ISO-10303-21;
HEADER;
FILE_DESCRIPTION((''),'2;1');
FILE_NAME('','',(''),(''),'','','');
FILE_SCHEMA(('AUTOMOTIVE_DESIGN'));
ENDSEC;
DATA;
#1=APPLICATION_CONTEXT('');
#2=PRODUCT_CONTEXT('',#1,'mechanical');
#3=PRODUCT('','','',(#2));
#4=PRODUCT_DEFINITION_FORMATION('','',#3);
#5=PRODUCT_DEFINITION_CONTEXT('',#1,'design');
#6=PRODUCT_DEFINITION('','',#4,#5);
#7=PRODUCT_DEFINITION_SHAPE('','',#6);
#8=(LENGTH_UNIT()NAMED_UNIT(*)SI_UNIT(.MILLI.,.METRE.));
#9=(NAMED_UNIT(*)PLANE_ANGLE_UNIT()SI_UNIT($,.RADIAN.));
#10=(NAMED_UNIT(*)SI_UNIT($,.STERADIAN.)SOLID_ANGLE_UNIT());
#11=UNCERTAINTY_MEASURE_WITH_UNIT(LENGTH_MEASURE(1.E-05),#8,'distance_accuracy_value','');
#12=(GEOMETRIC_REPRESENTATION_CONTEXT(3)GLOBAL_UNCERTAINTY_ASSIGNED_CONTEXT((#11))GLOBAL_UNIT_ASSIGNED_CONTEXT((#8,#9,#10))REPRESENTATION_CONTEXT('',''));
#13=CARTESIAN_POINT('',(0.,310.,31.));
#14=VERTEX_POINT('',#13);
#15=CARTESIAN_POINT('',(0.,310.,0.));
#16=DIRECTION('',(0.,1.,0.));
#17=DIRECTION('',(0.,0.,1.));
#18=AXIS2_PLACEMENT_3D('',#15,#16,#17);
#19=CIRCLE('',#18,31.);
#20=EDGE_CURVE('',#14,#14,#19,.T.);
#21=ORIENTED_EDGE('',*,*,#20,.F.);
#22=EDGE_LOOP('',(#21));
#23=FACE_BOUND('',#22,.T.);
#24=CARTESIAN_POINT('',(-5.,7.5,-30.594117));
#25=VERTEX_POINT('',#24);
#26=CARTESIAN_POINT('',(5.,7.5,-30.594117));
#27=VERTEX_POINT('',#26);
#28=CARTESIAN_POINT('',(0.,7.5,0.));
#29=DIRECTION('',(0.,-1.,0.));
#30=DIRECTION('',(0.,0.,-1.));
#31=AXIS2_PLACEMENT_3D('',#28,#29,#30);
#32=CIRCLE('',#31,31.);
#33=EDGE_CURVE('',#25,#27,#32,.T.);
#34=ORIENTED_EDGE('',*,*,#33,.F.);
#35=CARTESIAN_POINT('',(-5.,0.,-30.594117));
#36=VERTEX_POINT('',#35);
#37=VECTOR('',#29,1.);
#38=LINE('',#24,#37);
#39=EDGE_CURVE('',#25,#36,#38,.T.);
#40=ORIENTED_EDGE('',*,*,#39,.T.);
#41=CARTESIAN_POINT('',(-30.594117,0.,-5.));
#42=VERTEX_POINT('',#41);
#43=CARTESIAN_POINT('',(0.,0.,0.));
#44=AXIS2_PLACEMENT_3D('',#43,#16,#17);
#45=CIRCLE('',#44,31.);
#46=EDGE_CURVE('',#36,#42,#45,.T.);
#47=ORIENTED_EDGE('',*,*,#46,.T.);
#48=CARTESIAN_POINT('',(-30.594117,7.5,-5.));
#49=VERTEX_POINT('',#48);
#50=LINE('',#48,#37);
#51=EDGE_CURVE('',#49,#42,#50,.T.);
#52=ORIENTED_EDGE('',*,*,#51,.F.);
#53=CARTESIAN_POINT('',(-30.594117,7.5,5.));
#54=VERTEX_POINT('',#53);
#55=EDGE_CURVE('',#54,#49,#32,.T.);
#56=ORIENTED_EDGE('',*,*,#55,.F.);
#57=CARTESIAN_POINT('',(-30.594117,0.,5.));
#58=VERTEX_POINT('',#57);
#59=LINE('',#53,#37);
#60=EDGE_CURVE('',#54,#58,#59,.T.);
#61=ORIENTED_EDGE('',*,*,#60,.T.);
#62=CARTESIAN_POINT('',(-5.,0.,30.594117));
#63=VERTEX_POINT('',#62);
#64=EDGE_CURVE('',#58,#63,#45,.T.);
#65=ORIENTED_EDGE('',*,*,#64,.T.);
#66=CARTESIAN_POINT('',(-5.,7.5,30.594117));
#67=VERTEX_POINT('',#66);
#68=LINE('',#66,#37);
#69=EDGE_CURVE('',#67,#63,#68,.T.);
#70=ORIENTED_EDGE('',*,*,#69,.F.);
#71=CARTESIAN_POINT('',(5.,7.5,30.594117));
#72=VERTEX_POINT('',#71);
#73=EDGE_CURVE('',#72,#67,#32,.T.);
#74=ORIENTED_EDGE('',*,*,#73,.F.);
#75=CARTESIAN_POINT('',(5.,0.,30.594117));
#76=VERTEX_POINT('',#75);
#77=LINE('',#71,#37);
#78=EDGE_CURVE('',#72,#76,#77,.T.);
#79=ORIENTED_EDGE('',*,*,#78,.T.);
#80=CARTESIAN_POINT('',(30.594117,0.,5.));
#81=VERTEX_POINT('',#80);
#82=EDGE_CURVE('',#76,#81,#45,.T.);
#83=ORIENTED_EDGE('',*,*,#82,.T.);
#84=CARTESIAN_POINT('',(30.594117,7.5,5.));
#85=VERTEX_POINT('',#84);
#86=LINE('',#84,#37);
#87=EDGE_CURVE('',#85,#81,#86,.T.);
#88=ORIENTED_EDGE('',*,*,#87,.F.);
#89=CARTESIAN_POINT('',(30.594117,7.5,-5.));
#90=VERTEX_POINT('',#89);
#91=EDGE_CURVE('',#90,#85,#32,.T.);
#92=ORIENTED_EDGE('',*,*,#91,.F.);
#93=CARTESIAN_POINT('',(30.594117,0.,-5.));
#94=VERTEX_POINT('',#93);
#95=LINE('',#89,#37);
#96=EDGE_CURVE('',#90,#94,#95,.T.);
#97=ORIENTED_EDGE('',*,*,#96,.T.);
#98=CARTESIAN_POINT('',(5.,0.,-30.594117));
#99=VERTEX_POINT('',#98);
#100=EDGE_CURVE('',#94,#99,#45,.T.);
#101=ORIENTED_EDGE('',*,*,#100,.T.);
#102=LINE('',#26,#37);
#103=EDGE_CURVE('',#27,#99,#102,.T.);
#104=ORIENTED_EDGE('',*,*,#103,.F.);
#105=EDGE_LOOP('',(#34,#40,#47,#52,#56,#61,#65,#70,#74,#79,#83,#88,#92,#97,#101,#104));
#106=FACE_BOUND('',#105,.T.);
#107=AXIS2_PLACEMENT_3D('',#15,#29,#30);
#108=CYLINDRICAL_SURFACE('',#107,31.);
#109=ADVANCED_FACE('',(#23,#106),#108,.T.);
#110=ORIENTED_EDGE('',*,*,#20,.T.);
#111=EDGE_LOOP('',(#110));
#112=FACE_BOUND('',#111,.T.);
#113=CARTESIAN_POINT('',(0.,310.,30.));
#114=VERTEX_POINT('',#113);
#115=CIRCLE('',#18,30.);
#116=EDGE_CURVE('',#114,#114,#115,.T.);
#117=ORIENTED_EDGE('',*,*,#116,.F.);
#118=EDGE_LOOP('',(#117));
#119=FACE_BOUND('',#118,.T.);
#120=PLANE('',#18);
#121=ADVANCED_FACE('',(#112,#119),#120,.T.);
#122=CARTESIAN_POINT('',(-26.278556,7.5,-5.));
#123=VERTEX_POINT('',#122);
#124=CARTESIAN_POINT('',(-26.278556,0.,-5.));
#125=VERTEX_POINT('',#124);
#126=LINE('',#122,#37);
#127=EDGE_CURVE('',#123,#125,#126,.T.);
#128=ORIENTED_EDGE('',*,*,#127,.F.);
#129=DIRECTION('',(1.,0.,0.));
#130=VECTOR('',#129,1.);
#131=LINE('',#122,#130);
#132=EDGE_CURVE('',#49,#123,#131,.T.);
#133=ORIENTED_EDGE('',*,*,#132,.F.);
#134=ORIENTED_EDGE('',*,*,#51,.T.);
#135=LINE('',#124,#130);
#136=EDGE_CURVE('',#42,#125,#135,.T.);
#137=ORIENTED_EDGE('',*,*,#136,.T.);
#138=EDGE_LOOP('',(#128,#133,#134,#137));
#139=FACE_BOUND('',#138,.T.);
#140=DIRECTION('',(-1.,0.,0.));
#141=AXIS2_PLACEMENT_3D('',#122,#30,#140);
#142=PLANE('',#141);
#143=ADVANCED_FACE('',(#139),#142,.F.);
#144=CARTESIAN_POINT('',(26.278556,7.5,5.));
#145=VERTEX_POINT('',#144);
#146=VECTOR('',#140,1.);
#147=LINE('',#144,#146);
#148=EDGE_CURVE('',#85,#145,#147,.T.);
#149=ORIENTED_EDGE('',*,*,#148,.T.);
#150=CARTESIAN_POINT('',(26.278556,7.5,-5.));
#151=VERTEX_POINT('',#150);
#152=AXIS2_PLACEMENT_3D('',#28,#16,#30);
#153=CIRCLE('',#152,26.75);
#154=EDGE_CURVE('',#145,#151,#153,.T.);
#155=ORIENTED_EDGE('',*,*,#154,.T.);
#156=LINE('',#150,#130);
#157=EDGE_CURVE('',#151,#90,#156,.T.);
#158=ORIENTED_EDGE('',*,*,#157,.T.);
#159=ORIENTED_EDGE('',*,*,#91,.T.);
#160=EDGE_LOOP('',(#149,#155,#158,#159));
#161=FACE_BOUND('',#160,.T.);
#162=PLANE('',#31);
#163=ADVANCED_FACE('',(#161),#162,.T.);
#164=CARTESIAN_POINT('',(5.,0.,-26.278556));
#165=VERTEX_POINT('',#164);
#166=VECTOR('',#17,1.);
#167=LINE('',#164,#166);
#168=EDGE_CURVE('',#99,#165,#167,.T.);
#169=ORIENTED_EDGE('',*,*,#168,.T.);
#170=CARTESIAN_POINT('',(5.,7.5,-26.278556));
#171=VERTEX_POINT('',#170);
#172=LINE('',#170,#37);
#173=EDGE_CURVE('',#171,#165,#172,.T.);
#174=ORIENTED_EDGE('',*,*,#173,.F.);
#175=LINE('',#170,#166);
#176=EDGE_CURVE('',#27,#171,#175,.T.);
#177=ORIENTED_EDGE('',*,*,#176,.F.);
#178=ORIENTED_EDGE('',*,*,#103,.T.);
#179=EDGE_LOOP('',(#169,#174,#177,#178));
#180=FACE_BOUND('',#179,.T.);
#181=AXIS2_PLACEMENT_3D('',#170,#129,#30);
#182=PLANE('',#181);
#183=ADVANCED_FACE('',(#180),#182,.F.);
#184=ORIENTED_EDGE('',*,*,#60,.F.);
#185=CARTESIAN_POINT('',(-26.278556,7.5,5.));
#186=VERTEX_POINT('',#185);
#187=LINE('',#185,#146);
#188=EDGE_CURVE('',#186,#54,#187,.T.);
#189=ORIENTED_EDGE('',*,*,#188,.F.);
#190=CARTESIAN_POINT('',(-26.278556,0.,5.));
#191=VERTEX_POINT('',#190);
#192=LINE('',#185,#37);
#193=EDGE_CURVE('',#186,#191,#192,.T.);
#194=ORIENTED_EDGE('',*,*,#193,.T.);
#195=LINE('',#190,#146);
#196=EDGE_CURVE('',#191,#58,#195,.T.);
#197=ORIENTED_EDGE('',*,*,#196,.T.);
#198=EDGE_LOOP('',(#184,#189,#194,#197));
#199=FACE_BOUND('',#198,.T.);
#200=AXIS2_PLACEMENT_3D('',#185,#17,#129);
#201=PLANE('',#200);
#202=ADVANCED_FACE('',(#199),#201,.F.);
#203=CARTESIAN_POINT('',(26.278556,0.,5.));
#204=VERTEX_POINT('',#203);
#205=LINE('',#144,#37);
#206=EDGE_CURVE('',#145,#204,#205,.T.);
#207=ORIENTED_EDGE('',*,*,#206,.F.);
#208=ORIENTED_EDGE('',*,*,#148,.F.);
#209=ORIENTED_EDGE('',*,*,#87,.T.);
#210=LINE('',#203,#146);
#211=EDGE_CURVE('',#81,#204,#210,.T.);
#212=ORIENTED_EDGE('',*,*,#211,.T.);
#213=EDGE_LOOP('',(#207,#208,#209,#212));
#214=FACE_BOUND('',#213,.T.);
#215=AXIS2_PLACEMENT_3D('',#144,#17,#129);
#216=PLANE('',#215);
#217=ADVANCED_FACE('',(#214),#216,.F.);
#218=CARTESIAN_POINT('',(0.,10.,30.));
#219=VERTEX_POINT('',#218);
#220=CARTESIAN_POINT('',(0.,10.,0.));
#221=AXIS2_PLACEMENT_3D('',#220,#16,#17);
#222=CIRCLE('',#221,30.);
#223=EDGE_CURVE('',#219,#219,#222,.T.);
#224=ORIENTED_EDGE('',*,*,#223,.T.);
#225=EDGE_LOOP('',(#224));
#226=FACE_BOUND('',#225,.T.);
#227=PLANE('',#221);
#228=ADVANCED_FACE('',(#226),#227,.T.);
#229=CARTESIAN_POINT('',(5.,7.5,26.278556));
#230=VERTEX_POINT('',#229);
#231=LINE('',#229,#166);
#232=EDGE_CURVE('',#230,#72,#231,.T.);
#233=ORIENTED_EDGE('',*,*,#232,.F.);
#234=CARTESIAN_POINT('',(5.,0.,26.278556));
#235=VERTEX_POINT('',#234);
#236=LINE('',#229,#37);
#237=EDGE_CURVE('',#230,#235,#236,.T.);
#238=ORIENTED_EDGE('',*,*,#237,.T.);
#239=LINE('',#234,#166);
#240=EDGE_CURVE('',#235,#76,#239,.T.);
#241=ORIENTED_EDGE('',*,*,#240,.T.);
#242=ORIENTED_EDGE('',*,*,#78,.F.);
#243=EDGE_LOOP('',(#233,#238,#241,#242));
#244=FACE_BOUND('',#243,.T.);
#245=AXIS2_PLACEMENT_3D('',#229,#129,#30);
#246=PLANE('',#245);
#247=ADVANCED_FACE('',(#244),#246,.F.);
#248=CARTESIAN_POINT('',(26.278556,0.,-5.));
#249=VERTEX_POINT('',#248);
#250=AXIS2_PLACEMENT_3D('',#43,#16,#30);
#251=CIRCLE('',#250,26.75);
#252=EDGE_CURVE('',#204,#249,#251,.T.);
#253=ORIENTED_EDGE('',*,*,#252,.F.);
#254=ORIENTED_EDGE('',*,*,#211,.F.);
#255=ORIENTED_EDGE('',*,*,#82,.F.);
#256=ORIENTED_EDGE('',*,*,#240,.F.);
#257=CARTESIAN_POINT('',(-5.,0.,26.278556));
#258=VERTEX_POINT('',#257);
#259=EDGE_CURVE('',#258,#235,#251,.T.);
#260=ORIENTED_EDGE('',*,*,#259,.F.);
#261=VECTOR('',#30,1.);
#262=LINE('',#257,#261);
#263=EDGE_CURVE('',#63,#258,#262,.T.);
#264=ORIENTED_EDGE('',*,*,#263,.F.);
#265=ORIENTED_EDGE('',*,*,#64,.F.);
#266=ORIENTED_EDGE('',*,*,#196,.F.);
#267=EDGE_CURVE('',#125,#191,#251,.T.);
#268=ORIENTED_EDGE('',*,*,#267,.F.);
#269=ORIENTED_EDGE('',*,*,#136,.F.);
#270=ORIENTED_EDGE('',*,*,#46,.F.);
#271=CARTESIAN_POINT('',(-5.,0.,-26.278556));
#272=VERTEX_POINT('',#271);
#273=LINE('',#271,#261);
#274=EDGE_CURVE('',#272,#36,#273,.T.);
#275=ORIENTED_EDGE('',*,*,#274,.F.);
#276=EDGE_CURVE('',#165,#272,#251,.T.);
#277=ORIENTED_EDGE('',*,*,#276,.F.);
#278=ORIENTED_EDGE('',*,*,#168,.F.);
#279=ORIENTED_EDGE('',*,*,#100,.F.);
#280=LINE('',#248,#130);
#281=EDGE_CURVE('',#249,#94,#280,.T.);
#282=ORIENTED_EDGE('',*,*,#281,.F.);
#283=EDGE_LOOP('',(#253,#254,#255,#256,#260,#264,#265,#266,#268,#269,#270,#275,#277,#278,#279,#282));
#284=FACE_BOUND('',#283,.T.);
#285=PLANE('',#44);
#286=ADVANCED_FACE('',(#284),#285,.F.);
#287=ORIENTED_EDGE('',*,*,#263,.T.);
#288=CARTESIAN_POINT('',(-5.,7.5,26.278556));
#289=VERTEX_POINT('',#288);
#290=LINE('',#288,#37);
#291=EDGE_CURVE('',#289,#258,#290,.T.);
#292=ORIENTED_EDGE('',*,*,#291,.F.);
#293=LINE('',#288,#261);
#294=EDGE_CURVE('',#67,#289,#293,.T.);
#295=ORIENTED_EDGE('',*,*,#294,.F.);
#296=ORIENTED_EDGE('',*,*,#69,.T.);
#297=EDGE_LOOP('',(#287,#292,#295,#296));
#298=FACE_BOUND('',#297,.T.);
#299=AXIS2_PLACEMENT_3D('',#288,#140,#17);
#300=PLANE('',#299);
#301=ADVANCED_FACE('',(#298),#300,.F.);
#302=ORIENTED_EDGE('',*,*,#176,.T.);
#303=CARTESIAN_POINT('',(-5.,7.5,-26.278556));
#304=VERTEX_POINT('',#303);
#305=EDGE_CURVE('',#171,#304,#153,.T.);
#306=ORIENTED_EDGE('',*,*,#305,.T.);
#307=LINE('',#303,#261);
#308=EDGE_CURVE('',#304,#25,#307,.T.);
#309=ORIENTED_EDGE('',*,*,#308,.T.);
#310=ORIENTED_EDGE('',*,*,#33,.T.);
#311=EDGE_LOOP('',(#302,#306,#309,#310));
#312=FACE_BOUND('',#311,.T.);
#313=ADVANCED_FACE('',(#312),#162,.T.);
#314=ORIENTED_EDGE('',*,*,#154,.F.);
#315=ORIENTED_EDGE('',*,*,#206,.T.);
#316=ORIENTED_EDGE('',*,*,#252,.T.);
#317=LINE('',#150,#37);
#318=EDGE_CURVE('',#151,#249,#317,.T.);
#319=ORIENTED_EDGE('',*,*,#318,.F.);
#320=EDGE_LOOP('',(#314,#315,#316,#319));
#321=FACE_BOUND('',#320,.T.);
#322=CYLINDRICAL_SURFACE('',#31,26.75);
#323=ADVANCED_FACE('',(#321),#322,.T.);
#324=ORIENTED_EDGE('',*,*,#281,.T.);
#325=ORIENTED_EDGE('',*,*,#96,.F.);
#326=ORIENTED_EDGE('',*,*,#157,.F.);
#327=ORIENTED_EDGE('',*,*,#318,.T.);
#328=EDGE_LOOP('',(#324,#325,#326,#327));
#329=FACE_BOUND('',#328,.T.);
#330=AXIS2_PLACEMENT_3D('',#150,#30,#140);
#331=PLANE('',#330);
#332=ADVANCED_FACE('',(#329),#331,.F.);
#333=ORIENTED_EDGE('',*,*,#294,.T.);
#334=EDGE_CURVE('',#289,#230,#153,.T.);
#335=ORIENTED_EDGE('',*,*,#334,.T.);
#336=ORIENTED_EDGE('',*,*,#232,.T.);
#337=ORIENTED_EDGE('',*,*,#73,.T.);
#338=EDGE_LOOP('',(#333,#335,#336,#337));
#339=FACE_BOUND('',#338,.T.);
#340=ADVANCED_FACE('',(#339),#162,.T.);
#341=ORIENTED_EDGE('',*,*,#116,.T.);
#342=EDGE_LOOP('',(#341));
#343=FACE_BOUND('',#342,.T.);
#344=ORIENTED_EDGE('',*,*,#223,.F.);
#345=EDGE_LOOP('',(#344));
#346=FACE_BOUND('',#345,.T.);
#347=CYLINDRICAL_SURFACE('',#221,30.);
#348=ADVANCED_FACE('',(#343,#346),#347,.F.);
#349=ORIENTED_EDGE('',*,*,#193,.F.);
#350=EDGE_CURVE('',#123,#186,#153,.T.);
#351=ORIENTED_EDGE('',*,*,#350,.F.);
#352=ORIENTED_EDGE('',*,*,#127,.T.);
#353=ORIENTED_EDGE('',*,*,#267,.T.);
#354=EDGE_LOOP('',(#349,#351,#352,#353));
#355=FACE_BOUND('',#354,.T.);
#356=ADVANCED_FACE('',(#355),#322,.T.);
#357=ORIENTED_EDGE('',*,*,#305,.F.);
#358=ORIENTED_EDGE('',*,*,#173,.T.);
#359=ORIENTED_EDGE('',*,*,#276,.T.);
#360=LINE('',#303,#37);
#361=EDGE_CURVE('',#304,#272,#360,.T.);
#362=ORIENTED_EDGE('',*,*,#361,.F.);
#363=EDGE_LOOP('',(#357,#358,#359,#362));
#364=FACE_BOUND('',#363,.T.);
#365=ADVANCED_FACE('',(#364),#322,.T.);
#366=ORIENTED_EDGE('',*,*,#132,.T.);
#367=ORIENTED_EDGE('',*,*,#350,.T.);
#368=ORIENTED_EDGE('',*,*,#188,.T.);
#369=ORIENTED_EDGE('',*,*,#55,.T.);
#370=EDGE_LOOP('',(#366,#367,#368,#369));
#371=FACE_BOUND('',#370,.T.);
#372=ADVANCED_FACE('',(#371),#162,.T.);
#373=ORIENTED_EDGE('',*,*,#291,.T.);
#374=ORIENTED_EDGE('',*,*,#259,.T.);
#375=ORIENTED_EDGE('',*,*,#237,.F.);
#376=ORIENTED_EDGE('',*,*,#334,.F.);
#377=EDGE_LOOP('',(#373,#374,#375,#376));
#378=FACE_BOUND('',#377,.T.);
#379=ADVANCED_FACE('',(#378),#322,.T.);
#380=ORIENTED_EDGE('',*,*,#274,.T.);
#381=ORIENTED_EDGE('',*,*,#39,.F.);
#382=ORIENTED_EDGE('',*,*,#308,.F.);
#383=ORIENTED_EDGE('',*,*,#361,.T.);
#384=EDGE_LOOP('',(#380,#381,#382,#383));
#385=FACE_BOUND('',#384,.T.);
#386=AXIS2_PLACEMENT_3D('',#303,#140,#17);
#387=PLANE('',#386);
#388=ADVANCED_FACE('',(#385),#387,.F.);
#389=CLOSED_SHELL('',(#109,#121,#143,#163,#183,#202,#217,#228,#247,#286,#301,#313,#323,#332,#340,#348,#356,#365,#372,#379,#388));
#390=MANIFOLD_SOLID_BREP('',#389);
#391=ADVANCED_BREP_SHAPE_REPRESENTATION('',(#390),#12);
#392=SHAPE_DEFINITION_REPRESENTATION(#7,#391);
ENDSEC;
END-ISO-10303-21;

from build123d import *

# Parameters (mm, degrees)
SKETCH1_R           = 31
BOSS_EXTRUDE1_DEPTH = 310
SKETCH2_R           = 30
CUT_EXTRUDE1_DEPTH  = 300
CUT_EXTRUDE2_DEPTH  = 7.5


with BuildPart() as part:
    # Sketch1 → Boss-Extrude1 (new body)
    with BuildSketch(Plane(origin=(0, 0, 0), x_dir=(1, 0, 0), z_dir=(0, 1, 0))):
        with Locations(Location((0, 0, 0), (0, 0, 270))):
            Circle(SKETCH1_R)
    extrude(amount=BOSS_EXTRUDE1_DEPTH)

    # Sketch2 → Cut-Extrude1 (cut)
    with BuildSketch(Plane(origin=(0, 310, 0), x_dir=(1, 0, 0), z_dir=(0, 1, 0))):
        with Locations(Location((0, 0, 0), (0, 0, 270))):
            Circle(SKETCH2_R)
    extrude(amount=-CUT_EXTRUDE1_DEPTH, mode=Mode.SUBTRACT)

    # Sketch3 → Cut-Extrude2 (cut)
    with BuildSketch(Plane.XZ):
        with BuildLine():
            Line((-26.278555896, -5), (-30.594117082, -5))
            ThreePointArc((-30.594117082, -5), (-31, 0), (-30.594117082, 5))
            Line((-30.594117082, 5), (-26.278555896, 5))
            ThreePointArc((-26.278555896, 5), (-26.75, 0), (-26.278555896, -5))
        make_face()
        with BuildLine():
            Line((-5, -26.278555896), (-5, -30.594117082))
            ThreePointArc((-5, -30.594117082), (0, -31), (5, -30.594117082))
            Line((5, -30.594117082), (5, -26.278555896))
            ThreePointArc((5, -26.278555896), (0, -26.75), (-5, -26.278555896))
        make_face()
        with BuildLine():
            Line((-5, 26.278555896), (-5, 30.594117082))
            ThreePointArc((-5, 30.594117082), (0, 31), (5, 30.594117082))
            Line((5, 30.594117082), (5, 26.278555896))
            ThreePointArc((5, 26.278555896), (0, 26.75), (-5, 26.278555896))
        make_face()
        with BuildLine():
            Line((26.278555896, 5), (30.594117082, 5))
            ThreePointArc((30.594117082, 5), (31, 0), (30.594117082, -5))
            Line((30.594117082, -5), (26.278555896, -5))
            ThreePointArc((26.278555896, -5), (26.75, 0), (26.278555896, 5))
        make_face()
    extrude(amount=-CUT_EXTRUDE2_DEPTH, mode=Mode.SUBTRACT)


solid = part.part
